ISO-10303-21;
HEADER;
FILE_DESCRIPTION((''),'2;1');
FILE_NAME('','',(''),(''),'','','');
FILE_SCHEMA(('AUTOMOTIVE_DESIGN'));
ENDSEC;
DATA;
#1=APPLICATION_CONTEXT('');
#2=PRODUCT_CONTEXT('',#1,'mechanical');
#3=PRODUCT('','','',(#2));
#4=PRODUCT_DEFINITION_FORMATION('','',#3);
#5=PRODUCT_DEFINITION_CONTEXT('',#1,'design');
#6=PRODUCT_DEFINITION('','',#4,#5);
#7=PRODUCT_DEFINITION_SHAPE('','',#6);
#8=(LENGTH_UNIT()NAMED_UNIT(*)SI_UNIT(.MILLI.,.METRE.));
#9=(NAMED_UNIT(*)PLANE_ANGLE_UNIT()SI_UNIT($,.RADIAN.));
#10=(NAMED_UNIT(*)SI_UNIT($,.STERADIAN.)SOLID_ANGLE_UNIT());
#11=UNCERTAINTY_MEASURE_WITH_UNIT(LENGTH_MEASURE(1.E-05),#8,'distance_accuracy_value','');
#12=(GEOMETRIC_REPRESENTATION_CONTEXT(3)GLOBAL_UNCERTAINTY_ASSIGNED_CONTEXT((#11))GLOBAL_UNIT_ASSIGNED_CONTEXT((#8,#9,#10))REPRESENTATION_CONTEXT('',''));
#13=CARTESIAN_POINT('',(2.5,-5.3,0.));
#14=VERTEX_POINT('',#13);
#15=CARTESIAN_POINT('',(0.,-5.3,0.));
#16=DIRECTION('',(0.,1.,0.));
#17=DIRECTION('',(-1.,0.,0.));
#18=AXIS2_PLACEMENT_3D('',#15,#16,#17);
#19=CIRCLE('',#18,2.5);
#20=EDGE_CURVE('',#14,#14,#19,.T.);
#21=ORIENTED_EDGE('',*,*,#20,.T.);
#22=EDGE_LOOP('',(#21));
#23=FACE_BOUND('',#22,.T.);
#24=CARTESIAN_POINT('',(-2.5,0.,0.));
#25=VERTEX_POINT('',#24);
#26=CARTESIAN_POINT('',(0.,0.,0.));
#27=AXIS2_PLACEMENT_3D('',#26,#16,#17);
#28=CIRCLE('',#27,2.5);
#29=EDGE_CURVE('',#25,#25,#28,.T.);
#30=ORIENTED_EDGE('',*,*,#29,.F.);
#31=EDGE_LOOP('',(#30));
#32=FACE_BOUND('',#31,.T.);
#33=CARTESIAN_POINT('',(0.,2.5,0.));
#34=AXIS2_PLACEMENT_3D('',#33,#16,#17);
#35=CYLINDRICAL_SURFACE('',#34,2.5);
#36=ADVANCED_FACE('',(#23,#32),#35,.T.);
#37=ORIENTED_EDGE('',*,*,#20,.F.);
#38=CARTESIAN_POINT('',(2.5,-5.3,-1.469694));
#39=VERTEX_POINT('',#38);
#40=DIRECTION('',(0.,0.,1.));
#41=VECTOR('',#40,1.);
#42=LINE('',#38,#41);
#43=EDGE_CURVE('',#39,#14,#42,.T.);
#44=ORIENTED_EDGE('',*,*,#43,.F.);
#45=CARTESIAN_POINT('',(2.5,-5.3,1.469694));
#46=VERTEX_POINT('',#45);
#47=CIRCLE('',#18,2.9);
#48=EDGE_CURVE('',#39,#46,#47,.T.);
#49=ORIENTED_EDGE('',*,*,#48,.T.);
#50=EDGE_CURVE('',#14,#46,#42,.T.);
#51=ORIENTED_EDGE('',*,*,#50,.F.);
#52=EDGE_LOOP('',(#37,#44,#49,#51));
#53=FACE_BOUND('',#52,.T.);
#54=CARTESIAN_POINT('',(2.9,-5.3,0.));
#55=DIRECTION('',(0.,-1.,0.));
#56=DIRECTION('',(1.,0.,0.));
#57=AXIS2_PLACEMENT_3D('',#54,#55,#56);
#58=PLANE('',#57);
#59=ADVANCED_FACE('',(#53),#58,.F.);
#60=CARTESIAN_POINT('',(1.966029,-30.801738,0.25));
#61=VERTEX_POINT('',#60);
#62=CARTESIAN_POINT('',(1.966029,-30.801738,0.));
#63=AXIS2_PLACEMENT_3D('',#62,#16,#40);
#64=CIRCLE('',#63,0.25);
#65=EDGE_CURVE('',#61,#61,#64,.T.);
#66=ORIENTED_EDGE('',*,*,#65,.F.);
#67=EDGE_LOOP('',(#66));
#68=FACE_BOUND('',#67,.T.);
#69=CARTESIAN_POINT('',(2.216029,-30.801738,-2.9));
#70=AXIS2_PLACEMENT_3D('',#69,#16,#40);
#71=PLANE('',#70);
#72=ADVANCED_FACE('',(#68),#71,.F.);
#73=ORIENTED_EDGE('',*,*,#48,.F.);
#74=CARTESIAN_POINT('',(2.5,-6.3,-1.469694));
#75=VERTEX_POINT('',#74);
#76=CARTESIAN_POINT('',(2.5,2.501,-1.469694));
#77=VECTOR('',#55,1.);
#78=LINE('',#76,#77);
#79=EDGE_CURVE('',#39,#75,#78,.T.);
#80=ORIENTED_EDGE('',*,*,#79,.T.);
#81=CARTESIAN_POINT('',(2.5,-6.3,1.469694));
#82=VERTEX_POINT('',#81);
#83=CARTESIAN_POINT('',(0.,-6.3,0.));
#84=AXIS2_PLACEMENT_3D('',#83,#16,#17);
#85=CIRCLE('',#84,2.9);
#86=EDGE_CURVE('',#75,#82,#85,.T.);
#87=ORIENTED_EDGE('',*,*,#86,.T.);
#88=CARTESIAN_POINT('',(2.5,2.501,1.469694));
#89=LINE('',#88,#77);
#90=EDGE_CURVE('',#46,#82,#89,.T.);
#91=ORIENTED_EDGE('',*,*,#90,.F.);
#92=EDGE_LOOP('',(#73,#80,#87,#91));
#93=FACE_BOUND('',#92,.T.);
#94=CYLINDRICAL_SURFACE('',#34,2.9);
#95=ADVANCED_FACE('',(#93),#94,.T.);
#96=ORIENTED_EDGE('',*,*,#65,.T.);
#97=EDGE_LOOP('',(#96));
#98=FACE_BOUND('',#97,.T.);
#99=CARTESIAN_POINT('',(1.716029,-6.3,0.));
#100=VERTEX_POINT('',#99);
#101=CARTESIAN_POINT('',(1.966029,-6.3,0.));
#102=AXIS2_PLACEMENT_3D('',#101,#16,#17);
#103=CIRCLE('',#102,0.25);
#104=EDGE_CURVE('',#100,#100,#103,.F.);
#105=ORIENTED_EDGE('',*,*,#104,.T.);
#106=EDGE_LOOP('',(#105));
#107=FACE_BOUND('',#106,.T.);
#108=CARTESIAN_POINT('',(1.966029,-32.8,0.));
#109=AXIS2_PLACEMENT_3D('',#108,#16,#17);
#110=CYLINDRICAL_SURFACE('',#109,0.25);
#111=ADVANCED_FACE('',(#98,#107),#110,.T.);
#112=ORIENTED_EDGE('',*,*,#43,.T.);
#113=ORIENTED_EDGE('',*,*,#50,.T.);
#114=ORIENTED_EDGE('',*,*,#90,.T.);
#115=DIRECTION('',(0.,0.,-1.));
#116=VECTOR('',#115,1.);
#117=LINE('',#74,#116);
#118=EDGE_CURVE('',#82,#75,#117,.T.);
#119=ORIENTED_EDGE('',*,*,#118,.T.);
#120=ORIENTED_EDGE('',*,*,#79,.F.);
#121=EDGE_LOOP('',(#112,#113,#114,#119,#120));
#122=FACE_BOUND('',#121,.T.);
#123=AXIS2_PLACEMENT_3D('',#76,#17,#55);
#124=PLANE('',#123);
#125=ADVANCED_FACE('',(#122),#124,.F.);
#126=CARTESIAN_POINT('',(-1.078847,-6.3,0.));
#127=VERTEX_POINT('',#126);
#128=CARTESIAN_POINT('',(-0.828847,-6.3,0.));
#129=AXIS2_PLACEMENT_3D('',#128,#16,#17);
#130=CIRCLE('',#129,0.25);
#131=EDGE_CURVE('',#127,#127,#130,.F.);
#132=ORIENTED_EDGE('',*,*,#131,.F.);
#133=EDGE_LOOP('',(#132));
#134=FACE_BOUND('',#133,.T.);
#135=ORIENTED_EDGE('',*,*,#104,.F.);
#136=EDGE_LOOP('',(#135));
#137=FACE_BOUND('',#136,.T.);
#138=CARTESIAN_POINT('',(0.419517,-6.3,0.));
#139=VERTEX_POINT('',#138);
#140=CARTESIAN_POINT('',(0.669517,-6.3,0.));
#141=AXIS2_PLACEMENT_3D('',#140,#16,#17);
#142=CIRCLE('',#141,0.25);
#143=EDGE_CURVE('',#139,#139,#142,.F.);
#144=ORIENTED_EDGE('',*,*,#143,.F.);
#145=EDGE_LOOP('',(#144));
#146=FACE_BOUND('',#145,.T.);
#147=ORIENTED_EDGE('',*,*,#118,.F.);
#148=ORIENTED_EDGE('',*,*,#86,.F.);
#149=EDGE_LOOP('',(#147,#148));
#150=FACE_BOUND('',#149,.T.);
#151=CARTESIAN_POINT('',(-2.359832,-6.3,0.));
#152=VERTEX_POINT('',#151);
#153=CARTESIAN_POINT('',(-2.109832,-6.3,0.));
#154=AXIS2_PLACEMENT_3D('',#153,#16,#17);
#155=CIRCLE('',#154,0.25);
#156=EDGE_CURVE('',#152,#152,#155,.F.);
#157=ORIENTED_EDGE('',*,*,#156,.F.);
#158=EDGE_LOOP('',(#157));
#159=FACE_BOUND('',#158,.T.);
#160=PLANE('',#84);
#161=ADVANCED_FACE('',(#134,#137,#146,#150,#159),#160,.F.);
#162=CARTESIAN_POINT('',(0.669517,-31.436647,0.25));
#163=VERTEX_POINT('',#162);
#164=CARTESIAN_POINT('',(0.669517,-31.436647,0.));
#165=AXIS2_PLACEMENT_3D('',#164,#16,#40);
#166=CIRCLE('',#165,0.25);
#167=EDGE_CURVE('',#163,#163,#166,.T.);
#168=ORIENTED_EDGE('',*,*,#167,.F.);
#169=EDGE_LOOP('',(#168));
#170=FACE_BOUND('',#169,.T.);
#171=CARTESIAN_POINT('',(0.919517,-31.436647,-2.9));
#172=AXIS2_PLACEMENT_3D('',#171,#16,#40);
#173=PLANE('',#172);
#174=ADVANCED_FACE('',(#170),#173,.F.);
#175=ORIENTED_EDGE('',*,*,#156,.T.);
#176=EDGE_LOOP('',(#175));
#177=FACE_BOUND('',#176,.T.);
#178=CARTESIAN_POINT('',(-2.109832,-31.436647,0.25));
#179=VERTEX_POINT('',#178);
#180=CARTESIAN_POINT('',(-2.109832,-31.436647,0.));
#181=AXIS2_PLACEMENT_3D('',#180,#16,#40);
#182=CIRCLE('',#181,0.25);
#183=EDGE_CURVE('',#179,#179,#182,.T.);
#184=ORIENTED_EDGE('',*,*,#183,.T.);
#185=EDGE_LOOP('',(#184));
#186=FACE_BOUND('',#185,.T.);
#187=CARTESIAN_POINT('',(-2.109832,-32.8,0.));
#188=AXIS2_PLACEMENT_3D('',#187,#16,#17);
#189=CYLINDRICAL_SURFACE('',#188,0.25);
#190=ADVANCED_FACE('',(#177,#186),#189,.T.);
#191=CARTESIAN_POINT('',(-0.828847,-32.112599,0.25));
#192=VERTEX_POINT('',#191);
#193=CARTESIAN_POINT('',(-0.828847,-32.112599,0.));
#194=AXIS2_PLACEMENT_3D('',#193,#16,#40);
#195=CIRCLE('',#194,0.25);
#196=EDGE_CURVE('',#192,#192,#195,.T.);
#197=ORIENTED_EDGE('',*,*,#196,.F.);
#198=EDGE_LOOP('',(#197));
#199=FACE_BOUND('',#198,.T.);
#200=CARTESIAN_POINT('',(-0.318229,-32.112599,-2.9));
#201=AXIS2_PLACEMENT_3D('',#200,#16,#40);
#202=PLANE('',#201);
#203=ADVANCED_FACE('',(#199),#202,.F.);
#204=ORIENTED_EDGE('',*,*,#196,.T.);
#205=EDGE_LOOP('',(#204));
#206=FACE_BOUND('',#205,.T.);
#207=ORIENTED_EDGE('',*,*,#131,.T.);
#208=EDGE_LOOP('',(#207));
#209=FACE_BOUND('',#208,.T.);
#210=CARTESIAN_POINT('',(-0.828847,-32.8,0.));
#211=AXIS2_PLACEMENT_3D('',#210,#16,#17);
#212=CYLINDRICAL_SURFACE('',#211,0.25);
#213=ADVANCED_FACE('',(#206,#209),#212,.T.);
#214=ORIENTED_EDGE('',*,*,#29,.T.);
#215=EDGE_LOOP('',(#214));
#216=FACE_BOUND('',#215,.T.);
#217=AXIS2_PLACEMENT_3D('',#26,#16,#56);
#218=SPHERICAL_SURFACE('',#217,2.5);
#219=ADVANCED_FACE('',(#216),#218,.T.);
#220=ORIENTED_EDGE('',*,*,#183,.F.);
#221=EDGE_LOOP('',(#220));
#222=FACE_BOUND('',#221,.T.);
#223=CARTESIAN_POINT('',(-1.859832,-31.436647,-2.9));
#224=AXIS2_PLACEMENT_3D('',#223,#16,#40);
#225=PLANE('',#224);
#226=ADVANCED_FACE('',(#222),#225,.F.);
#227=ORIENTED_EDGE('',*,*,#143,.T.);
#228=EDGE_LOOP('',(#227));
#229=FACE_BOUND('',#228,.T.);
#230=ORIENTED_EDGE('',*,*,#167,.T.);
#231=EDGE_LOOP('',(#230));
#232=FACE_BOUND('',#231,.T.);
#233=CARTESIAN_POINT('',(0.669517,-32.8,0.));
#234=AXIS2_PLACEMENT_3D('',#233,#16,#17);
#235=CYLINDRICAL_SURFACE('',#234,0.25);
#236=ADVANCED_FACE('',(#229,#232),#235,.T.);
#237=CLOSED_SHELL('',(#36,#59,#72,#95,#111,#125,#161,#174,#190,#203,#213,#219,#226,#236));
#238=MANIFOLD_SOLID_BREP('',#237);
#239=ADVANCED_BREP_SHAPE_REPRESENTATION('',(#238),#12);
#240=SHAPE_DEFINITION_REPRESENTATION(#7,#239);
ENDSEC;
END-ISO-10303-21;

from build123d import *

# Parameters (mm, degrees)
CUT_EXTRUDE1_REACH      = 11.709
SKETCH8_R               = 0.25
BOSS_EXTRUDE1_DEPTH     = 26.5
CUT_EXTRUDE2_DEPTH      = 34.05540803
CUT_EXTRUDE2_DEPTH_BACK = 34.05540803


with BuildPart() as part:
    # Sketch4 → Revolve1 (revolve)
    with BuildSketch(Plane.XY, mode=Mode.PRIVATE) as revolve1_sk:
        with BuildLine():
            Line((0, 2.5), (0, -6.3))
            Line((0, -6.3), (2.9, -6.3))
            Line((2.9, -6.3), (2.9, -5.3))
            Line((2.9, -5.3), (2.5, -5.3))
            Line((2.5, -5.3), (2.5, 0))
            ThreePointArc((2.5, 0), (1.767766953, 1.767766953), (0, 2.5))
        make_face()
    revolve(revolve1_sk.sketch.rotate(Axis((0, 2.5, 0), (0, -1, 0)), 180), axis=Axis((0, 2.5, 0), (0, -1, 0)))

    # Sketch7 → Cut-Extrude1 (cut, up to next)
    with BuildSketch(Plane(origin=(0, -6.3, 0), x_dir=(-1, 0, 0), z_dir=(0, -1, 0)), mode=Mode.PRIVATE) as cut_extrude1_sk1:
        with BuildLine():
            Line((-2.5, 1.469693846), (-2.5, -1.469693846))
            ThreePointArc((-2.5, -1.469693846), (-2.9, 0), (-2.5, 1.469693846))
        make_face()
    cut_extrude1_tool1 = extrude(cut_extrude1_sk1.sketch, amount=-CUT_EXTRUDE1_REACH, mode=Mode.PRIVATE) & part.part
    add(cut_extrude1_tool1.solids().sort_by_distance((2.660985, -6.3, 0))[0], mode=Mode.SUBTRACT)

    # Sketch8 → Boss-Extrude1 (add)
    with BuildSketch(Plane(origin=(0, -6.3, 0), x_dir=(-1, 0, 0), z_dir=(0, -1, 0))):
        with Locations((-1.966028559, 0)):
            Circle(SKETCH8_R)
        with Locations((-0.669516841, 0)):
            Circle(SKETCH8_R)
        with Locations((0.828847001, 0)):
            Circle(SKETCH8_R)
        with Locations((2.109831632, 0)):
            Circle(SKETCH8_R)
    extrude(amount=BOSS_EXTRUDE1_DEPTH)

    # Sketch9 → Cut-Extrude2 (cut, two sides: drawn at the far end of the back side and taken through both)
    with BuildSketch(Plane.XY.offset(-CUT_EXTRUDE2_DEPTH_BACK)):
        Polygon((2.216028559, -30.801737738), (1.716028559, -30.801737738), (0.919516841, -31.436646975), (0.419516841, -31.436646975), (-0.318229125, -32.112599285), (-1.342625606, -32.112599285), (-1.859831632, -31.436646975), (-2.359831632, -31.436646975), (-2.359831632, -33.265580611), (2.627654793, -33.265580611), (2.686516226, -30.801737738), align=None)
    extrude(amount=CUT_EXTRUDE2_DEPTH + CUT_EXTRUDE2_DEPTH_BACK, mode=Mode.SUBTRACT)


solid = part.part
